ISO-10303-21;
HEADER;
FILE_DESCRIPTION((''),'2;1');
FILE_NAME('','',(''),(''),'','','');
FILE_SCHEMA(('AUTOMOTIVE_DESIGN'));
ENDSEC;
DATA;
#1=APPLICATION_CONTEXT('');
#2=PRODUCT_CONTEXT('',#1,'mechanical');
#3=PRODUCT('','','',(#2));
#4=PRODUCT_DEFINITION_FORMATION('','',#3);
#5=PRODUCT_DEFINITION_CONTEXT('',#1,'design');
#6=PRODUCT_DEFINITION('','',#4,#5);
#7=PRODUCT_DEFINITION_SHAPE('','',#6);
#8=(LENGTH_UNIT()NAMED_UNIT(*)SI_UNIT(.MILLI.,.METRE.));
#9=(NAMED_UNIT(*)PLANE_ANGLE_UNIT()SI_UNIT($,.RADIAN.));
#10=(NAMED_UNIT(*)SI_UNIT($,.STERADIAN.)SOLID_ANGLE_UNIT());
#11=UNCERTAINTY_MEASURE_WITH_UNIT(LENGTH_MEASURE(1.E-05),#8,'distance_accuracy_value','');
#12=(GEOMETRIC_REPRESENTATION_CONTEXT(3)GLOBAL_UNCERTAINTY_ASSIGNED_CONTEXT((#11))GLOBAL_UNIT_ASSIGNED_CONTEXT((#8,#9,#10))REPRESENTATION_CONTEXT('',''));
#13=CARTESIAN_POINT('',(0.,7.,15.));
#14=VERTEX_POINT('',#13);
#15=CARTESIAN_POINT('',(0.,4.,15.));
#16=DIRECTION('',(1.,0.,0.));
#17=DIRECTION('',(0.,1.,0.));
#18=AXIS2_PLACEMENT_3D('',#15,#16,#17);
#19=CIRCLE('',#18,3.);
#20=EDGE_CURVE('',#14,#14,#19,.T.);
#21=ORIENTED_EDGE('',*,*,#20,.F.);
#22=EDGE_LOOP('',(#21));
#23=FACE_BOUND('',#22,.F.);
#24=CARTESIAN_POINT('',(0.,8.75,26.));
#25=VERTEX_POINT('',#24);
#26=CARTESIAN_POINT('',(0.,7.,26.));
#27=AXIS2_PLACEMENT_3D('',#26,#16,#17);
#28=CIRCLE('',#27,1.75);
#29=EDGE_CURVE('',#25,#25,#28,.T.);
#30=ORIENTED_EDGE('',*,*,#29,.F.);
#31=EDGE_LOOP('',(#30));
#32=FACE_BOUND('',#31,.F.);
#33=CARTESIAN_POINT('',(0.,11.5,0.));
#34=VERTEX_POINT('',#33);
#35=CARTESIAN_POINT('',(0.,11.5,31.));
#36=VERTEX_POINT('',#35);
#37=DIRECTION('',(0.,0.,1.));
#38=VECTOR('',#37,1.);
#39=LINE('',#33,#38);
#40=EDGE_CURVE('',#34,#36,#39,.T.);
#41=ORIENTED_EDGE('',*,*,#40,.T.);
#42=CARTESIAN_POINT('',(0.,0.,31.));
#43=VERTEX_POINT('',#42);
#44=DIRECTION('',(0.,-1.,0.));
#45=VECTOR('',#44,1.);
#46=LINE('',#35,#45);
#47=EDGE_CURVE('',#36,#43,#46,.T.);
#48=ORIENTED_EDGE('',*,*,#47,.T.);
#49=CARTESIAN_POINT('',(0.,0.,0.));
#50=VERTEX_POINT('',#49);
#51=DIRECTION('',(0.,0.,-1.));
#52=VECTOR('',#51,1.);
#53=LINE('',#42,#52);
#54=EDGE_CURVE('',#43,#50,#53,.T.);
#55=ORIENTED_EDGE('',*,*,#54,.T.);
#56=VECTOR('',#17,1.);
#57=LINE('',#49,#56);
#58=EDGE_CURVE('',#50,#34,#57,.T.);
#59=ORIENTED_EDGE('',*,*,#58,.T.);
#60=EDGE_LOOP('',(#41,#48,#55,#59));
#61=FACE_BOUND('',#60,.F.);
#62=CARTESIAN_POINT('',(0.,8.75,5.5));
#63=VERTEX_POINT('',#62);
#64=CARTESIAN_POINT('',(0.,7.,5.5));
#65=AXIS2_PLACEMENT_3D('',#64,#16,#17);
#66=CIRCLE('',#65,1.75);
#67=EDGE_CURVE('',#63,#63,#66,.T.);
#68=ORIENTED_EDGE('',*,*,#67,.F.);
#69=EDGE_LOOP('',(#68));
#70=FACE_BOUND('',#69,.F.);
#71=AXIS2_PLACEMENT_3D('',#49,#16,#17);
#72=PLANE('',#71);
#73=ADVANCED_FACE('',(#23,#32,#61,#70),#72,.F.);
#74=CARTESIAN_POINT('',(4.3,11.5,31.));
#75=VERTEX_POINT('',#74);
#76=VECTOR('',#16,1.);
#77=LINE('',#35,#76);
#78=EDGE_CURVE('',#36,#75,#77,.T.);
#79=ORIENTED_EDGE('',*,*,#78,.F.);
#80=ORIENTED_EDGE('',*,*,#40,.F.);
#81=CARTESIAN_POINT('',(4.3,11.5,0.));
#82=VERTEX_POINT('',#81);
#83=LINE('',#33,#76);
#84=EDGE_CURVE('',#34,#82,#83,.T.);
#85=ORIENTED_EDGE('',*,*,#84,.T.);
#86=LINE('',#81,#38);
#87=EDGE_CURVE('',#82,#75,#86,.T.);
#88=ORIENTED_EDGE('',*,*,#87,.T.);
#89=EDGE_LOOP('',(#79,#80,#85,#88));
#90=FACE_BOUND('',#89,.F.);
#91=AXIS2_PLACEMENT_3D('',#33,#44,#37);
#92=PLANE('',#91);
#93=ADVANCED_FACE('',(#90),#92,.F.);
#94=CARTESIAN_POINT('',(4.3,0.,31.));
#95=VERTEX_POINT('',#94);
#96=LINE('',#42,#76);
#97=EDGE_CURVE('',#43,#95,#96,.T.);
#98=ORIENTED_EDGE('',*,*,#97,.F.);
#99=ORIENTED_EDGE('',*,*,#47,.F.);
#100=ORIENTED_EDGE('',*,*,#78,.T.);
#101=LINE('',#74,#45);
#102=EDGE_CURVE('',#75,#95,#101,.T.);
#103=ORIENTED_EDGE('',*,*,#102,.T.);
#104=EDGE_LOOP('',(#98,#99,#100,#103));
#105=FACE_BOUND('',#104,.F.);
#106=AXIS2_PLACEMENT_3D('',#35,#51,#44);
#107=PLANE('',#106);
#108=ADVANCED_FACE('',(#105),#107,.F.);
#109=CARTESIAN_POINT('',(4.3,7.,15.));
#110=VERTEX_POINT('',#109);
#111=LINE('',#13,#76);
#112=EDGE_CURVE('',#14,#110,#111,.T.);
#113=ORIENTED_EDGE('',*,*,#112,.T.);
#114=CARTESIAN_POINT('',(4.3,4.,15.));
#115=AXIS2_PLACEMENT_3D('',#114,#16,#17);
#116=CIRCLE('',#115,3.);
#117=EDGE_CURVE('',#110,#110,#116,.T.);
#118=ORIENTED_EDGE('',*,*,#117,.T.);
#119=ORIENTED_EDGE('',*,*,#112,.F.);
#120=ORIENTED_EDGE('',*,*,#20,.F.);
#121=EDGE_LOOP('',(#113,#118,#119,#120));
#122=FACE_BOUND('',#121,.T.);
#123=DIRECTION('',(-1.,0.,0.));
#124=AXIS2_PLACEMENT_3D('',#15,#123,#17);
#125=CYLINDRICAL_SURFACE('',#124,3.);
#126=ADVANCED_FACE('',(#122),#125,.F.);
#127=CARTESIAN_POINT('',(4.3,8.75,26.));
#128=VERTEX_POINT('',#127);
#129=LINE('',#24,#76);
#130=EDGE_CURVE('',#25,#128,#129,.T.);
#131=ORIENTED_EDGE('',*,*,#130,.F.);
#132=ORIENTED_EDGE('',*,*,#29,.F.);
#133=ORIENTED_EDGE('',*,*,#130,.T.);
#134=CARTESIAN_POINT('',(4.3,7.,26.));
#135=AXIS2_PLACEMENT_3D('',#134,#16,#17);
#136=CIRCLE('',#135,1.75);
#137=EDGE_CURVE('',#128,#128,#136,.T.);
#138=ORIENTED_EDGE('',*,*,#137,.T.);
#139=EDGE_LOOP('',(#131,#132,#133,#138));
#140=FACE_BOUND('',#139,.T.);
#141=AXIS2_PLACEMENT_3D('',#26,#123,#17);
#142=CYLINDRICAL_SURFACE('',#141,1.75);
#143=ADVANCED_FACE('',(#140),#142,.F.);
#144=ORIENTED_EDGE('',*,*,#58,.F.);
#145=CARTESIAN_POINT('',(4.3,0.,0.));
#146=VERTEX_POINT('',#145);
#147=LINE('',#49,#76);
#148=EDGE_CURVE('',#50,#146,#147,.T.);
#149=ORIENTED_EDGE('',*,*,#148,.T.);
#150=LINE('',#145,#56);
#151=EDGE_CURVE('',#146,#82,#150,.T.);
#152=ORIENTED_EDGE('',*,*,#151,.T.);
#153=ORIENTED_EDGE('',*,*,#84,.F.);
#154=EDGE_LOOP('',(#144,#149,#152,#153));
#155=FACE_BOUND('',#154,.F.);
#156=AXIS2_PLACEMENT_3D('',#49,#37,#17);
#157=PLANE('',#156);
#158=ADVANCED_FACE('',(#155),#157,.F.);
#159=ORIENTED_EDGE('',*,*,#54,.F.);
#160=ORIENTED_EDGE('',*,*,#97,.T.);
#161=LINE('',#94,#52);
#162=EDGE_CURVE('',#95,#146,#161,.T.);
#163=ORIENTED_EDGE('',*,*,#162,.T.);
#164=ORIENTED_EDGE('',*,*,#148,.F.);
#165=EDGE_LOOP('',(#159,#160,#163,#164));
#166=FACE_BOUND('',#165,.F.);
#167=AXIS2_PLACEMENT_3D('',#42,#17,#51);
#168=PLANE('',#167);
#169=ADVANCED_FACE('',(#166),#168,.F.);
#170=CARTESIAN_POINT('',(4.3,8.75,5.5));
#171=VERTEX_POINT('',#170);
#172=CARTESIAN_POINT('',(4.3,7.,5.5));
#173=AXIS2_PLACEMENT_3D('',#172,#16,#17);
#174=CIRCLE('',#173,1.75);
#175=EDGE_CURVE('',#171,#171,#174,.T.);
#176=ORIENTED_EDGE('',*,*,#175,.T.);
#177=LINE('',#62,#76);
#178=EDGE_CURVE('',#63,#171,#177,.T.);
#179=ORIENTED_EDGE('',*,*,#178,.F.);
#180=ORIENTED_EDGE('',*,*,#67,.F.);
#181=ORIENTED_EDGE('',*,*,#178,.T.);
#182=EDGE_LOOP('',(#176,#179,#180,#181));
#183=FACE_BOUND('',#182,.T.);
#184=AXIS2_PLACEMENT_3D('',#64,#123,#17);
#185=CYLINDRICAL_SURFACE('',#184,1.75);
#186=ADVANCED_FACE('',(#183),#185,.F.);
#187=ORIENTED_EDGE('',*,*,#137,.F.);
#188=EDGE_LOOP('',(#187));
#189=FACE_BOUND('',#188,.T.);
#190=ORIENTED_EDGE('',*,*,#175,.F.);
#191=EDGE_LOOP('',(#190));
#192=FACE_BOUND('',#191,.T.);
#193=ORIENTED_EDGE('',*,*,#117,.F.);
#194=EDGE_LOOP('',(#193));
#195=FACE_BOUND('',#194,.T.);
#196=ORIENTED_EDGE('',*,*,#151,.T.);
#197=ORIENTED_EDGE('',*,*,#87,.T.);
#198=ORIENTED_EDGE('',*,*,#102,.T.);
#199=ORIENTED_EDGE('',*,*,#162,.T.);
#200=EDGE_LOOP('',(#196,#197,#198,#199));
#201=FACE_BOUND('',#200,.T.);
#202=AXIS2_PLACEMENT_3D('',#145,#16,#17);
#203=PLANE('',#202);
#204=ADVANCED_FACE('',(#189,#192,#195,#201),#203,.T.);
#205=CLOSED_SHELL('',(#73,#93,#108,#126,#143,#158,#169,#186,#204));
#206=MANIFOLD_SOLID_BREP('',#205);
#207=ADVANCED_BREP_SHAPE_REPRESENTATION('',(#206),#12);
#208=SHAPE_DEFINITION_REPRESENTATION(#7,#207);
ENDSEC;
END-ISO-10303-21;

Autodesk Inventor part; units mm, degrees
ref_plane "YZ Plane" through (0, 0, 0) normal (1, 0, 0) x (0, 1, 0)
ref_plane "XZ Plane" through (0, 0, 0) normal (0, 1, 0) x (-1, 0, 0)
ref_plane "XY Plane" through (0, 0, 0) normal (0, 0, 1) x (1, 0, 0)
sketch "Sketch1" plane through (0, 0, 0) normal (1, 0, 0) x (0, 1, 0)
  line L0 (0, 0) -> (11.5, 0)
  line L1 (11.5, 0) -> (11.5, 31)
  line L2 (11.5, 31) -> (0, 31)
  line L3 (0, 31) -> (0, 0)
  line L4 (0, 15) -> (4, 15) construction
  circle A0 centre (4, 15) radius 3
  line L5 (7, 26) -> (7, 5.5) construction
  circle A1 centre (7, 26) radius 1.75
  circle A2 centre (7, 5.5) radius 1.75
  dimension "d0" = 4
  dimension "d1" = 6
  dimension "d2" = 20.5
  dimension "d3" = 9.5
  dimension "d4" = 3.5
  dimension "d5" = 7
  dimension "d6" = 11.5
  dimension "d7" = 15
  dimension "d8" = 16
extrude "Extrusion1" add sketch "Sketch1" along normal blind 4.3
properties part number "TrayPanelL"
